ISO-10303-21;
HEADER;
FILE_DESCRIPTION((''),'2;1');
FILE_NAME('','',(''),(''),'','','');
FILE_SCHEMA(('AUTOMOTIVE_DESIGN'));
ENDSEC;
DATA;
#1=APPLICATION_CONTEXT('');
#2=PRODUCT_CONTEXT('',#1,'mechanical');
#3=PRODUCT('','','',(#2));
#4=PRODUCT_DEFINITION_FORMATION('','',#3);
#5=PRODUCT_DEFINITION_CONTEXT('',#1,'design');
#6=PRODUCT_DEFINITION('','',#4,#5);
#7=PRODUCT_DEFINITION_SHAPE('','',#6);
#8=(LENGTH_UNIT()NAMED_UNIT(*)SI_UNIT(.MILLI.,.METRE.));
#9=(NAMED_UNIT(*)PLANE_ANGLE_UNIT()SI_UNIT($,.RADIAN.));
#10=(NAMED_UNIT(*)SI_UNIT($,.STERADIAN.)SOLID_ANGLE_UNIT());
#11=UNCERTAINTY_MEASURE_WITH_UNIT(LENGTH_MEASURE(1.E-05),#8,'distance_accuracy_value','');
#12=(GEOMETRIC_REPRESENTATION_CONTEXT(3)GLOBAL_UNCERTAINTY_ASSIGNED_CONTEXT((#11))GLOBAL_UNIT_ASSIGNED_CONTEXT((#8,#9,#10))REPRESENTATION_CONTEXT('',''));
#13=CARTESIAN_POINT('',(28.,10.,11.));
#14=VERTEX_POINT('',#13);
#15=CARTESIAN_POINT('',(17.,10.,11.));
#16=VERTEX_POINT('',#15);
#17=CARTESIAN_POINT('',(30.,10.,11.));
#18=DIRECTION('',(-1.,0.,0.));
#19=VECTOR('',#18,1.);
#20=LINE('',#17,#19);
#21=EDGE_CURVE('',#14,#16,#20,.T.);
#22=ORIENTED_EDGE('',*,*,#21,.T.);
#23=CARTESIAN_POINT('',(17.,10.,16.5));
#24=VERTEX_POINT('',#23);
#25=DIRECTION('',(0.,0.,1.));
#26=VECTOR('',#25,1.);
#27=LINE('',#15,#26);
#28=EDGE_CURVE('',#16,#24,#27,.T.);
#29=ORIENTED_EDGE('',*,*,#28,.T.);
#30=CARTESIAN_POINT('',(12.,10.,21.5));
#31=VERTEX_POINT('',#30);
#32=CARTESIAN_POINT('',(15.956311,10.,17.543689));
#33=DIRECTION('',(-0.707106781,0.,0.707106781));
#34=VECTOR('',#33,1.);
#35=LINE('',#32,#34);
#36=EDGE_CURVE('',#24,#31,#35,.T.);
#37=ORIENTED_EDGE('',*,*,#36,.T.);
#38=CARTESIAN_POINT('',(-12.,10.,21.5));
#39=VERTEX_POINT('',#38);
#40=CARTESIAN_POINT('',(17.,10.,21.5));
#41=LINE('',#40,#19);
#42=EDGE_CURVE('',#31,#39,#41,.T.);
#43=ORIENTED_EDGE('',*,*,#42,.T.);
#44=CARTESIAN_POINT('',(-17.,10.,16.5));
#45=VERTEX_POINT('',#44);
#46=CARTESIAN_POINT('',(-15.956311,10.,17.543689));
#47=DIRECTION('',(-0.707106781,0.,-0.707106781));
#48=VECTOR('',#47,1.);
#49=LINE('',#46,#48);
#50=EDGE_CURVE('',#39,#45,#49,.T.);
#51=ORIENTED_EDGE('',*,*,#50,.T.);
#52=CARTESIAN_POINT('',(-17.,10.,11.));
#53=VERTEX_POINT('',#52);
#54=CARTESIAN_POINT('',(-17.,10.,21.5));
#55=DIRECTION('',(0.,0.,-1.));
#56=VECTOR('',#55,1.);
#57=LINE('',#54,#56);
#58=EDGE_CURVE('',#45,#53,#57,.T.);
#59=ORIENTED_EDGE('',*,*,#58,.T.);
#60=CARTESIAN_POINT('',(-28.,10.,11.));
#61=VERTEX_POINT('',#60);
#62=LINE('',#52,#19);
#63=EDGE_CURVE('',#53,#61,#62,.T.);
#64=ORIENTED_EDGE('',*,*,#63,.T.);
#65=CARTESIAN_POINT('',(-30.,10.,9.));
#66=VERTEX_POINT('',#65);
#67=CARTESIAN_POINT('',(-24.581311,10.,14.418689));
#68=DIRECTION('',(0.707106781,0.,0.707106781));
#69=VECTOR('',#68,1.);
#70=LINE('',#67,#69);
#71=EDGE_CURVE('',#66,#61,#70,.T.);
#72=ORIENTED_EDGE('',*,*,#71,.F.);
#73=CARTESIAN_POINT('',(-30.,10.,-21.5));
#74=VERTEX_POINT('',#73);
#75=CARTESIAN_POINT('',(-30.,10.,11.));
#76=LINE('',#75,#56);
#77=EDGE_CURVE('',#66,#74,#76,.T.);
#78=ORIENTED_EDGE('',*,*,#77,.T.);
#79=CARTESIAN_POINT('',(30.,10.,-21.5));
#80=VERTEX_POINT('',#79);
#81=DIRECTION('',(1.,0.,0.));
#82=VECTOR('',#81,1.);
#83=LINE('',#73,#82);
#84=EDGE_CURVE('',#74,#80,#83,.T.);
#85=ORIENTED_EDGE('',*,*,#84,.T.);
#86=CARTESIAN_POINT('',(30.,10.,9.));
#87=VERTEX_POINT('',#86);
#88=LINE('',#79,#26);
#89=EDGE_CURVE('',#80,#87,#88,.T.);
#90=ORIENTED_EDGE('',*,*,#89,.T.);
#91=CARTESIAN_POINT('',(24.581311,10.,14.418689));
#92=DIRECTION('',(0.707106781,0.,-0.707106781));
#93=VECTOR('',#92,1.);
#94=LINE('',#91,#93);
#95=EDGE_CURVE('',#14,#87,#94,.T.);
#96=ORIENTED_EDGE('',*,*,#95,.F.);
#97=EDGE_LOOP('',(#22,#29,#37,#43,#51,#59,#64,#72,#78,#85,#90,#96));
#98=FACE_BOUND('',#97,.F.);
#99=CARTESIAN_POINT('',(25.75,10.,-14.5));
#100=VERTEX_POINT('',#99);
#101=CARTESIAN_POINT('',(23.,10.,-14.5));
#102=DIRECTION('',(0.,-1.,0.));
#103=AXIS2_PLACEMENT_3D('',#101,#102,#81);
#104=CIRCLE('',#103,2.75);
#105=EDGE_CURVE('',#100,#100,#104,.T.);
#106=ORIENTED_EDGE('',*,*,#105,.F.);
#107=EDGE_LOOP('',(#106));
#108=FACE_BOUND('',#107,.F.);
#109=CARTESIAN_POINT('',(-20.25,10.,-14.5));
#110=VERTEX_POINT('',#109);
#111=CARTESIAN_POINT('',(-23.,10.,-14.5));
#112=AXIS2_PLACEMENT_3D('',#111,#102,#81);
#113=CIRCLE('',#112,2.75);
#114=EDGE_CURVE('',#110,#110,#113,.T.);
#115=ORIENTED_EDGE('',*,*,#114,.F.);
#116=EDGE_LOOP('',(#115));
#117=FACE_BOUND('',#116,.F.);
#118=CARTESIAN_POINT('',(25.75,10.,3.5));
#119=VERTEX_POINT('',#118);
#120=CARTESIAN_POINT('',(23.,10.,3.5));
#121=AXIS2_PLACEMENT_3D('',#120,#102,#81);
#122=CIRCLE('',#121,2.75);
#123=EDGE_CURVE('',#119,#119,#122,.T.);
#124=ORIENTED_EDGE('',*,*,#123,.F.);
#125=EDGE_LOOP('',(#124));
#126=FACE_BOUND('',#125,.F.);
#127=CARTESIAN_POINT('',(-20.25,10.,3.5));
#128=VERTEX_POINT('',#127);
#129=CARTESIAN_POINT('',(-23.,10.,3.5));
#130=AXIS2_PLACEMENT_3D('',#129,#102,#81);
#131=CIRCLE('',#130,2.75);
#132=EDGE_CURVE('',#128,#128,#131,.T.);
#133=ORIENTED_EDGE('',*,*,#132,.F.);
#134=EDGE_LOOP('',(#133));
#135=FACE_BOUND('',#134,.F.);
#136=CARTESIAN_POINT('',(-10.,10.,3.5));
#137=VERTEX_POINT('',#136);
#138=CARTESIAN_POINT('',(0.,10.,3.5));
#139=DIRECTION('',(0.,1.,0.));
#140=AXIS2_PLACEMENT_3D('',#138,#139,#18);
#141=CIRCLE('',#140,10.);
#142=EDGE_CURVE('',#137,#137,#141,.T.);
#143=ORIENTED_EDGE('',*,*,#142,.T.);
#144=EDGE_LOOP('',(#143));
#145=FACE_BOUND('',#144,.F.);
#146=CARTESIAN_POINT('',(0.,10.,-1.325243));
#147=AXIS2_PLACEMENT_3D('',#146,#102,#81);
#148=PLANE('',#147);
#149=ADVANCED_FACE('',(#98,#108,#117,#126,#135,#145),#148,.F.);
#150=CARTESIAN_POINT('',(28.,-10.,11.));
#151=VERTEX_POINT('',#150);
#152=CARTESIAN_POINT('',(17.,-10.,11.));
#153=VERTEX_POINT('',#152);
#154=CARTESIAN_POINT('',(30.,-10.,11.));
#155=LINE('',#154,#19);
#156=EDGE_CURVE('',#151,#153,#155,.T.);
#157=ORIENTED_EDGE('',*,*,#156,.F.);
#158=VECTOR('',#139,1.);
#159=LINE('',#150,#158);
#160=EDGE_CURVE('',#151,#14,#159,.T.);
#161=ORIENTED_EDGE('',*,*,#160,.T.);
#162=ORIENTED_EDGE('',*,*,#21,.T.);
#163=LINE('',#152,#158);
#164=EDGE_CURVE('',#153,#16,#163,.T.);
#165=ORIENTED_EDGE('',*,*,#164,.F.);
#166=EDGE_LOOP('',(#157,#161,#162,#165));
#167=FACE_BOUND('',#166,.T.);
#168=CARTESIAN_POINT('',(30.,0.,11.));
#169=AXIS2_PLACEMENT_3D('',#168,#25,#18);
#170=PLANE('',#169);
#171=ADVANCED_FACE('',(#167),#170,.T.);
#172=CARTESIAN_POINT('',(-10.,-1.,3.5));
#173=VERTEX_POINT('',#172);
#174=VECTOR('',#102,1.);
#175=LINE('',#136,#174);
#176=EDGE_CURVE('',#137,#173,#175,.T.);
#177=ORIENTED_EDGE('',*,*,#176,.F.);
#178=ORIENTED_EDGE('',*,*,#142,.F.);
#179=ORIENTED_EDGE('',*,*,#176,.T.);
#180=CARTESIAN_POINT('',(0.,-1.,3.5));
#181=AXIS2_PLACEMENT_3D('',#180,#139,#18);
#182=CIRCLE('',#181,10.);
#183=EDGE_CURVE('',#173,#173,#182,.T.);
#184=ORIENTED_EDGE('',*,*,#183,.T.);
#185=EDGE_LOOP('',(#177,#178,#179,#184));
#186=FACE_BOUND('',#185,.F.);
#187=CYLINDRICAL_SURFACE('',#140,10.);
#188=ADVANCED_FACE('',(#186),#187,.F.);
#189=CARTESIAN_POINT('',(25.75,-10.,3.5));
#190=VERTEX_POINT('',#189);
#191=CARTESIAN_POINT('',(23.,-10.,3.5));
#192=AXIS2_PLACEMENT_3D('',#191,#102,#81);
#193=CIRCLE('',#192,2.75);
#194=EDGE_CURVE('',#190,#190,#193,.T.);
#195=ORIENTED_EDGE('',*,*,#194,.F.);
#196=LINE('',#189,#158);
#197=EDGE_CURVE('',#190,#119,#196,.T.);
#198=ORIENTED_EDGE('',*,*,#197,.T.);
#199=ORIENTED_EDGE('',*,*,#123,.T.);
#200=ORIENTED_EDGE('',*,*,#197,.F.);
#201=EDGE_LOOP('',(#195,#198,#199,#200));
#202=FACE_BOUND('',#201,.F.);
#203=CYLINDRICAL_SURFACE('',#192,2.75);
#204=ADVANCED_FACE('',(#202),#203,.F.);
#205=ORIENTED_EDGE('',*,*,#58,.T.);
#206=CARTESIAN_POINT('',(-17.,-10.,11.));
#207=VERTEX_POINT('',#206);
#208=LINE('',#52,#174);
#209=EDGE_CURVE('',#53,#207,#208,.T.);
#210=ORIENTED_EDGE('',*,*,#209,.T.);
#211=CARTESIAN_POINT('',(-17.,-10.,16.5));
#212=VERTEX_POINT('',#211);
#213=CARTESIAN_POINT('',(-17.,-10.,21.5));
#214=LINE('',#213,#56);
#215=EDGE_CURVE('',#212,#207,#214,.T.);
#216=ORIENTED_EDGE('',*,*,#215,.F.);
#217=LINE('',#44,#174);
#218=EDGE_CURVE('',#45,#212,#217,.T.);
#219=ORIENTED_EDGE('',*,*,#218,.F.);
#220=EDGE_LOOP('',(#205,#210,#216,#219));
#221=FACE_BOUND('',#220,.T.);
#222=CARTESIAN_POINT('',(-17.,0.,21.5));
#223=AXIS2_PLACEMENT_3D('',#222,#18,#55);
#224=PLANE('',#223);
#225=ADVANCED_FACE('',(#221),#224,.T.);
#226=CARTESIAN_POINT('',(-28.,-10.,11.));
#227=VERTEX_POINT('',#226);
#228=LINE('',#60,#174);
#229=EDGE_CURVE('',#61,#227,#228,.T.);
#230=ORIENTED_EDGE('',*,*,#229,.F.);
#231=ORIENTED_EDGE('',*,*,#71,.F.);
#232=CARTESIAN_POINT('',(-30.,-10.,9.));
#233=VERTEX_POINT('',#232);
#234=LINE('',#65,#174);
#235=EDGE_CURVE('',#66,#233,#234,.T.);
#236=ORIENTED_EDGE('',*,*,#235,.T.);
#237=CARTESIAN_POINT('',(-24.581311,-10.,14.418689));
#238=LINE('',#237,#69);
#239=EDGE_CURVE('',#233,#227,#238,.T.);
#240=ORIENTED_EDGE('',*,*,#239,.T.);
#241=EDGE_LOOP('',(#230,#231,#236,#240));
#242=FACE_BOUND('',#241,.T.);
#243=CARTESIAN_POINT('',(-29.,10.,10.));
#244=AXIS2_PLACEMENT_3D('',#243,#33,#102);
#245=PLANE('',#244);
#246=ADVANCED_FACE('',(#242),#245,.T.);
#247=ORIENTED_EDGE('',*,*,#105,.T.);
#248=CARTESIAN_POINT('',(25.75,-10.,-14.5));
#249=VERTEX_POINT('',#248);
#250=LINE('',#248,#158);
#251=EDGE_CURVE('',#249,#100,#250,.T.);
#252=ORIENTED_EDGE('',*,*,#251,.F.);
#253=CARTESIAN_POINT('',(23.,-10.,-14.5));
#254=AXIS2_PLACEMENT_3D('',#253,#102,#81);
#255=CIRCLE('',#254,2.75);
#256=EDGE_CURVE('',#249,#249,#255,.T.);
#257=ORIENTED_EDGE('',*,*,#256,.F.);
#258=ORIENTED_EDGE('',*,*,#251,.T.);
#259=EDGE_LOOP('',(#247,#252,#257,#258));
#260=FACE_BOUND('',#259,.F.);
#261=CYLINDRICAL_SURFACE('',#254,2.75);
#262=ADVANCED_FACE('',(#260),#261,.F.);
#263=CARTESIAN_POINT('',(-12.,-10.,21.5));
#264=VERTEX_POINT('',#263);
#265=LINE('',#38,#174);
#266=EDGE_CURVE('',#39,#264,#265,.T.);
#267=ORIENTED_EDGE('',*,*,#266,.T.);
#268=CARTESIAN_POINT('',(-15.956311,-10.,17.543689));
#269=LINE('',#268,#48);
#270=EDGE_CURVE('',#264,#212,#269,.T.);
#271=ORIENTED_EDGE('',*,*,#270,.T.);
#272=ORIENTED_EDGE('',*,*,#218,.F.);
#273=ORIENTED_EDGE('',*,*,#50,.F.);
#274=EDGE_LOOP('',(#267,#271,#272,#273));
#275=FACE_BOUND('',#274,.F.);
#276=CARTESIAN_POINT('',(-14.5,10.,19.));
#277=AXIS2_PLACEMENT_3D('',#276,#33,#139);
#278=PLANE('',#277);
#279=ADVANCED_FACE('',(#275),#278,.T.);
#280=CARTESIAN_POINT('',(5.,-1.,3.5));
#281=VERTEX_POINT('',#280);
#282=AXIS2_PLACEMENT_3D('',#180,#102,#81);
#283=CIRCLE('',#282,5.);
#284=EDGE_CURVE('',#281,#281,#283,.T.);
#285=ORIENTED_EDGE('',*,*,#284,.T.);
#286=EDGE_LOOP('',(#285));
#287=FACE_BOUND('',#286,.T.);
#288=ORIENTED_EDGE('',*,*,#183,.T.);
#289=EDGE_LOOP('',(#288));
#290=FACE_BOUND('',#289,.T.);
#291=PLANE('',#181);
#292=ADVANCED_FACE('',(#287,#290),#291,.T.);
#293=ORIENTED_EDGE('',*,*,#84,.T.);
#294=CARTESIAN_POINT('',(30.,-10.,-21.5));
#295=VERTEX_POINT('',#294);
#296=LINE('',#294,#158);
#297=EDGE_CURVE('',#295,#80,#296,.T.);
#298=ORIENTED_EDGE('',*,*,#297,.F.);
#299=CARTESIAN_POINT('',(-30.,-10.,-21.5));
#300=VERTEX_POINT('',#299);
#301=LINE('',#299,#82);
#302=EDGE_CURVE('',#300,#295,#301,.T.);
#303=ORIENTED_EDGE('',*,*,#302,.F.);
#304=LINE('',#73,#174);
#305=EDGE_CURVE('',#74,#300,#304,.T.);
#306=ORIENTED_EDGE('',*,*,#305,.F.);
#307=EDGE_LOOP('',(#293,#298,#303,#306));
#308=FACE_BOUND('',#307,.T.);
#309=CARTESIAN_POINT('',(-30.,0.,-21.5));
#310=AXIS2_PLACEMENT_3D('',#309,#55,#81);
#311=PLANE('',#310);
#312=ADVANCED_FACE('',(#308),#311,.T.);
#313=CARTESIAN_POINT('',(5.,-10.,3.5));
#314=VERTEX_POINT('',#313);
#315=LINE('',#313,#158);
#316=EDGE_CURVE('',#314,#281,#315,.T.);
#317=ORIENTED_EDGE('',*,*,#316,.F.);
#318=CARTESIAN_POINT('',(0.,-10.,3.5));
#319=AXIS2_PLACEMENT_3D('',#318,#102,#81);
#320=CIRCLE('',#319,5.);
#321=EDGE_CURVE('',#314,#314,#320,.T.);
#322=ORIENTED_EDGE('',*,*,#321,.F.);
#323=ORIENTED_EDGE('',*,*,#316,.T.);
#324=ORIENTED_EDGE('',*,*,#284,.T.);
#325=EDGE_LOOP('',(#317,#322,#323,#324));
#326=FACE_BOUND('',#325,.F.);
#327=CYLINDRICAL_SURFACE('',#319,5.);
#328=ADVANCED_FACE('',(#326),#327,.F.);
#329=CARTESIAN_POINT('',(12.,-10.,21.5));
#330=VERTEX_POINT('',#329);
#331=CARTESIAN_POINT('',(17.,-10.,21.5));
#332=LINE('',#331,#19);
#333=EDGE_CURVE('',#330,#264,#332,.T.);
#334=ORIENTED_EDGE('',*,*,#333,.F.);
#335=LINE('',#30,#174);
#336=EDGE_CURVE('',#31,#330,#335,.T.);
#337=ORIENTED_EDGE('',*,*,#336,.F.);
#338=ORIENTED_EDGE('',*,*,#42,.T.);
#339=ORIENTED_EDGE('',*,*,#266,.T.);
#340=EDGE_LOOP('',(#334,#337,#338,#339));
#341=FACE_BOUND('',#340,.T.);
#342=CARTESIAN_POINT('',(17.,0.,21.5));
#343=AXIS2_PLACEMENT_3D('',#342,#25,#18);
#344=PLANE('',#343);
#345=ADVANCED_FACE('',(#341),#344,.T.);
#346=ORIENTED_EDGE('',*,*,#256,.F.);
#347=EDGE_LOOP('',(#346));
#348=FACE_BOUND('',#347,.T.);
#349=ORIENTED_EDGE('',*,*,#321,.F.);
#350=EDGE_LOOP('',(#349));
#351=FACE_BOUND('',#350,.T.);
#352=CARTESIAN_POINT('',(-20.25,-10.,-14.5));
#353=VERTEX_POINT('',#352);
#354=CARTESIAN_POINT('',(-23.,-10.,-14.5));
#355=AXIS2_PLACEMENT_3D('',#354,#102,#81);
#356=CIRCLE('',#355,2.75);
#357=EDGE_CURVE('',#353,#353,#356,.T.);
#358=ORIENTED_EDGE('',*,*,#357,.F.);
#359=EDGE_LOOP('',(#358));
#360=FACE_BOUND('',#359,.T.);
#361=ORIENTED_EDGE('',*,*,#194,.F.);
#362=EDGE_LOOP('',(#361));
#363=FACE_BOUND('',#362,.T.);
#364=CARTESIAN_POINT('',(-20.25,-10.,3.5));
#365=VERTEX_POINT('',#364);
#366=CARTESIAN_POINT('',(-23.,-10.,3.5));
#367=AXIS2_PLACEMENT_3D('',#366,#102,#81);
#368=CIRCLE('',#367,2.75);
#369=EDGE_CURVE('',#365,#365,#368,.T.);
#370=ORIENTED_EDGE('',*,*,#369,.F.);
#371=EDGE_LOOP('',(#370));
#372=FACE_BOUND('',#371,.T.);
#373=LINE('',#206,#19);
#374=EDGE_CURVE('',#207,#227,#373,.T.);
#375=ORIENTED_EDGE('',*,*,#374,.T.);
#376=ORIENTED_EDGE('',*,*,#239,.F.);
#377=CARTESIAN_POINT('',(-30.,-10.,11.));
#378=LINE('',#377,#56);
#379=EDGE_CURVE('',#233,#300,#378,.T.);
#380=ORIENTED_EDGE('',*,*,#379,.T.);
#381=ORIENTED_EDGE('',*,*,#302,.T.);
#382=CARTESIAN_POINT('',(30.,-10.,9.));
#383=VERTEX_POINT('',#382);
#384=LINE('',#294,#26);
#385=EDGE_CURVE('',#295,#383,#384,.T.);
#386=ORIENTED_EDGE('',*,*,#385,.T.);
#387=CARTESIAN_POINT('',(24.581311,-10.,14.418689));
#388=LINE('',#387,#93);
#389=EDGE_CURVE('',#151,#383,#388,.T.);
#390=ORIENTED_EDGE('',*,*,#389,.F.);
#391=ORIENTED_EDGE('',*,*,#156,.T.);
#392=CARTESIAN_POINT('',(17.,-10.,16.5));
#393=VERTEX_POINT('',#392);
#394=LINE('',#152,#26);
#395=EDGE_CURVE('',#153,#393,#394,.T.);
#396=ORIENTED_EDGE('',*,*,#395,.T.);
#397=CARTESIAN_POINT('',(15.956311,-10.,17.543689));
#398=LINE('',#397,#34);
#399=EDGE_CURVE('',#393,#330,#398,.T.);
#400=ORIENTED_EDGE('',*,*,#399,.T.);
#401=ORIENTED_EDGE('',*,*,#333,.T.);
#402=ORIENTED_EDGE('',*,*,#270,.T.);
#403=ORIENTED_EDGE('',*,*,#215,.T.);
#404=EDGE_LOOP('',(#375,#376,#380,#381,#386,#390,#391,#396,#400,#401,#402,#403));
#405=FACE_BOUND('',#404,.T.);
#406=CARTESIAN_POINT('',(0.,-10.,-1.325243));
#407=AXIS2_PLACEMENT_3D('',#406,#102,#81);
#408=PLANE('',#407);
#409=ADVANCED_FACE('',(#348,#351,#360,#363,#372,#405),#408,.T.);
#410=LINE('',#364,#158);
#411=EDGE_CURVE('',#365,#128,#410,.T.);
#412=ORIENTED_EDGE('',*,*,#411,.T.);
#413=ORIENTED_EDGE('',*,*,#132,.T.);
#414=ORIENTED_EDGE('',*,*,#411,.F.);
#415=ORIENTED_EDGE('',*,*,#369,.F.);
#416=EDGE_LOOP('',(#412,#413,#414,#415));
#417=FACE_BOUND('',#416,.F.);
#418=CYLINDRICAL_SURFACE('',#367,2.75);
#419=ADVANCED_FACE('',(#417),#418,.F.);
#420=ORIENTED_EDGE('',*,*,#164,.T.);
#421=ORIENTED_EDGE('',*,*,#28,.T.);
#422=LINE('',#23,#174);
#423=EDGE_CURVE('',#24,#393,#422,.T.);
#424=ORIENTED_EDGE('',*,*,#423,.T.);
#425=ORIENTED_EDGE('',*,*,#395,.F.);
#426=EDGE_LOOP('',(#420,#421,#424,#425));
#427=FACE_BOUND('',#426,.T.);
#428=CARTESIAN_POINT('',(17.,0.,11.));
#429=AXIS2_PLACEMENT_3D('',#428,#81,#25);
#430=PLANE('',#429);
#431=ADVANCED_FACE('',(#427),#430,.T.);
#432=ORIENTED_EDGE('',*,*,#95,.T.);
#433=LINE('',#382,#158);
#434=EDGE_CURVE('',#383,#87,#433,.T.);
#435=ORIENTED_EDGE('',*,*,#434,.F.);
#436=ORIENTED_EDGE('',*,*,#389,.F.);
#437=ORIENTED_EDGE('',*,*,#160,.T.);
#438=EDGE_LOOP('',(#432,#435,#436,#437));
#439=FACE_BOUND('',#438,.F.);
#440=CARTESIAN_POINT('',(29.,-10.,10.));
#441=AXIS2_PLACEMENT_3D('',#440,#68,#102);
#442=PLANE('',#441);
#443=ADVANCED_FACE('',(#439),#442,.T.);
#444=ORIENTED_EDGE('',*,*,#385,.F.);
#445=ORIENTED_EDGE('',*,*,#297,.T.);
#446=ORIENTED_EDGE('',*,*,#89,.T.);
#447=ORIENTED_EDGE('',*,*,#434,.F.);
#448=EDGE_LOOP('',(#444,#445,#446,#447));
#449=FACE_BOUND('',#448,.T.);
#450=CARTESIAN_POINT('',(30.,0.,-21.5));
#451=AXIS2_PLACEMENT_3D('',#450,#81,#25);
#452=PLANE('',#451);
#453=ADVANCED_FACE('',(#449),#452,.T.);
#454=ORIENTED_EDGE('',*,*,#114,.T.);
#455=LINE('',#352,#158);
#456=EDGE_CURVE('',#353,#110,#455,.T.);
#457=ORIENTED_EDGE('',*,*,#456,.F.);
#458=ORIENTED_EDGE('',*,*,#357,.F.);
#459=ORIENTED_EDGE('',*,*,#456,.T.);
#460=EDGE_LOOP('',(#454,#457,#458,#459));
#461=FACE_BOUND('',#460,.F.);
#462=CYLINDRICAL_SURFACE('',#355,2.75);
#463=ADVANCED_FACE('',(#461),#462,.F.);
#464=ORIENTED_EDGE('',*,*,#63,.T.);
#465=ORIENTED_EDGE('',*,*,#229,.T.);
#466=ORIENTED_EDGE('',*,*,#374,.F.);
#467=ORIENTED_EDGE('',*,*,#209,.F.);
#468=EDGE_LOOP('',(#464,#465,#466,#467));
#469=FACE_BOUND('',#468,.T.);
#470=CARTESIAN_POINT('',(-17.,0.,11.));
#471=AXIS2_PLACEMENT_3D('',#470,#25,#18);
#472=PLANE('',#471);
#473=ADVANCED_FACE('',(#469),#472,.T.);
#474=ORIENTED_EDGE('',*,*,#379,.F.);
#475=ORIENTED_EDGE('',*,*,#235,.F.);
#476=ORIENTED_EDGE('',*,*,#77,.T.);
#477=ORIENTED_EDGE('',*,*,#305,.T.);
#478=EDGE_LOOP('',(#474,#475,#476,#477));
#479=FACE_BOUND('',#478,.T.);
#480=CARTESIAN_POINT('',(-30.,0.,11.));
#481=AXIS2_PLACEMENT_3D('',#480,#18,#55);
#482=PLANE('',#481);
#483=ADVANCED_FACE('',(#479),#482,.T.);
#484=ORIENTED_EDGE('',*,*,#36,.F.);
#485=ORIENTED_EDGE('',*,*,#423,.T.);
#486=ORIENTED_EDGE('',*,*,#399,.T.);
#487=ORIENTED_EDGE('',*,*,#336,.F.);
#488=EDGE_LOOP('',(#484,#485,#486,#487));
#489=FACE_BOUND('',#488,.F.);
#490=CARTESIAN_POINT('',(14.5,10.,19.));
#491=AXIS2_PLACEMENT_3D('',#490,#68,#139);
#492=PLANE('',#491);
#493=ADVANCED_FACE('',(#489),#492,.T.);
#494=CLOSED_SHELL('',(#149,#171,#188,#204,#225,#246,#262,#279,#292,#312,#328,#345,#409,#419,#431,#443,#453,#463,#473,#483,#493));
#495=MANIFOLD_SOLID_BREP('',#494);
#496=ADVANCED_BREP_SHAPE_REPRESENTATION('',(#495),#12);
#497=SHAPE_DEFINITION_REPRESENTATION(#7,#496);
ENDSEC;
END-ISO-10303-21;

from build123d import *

# Parameters (mm, degrees)
F1_DEPTH = 10
F2_R     = 5
F2_R_2   = 2.75
F3_DEPTH = 20
F4_SIZE  = 5
F5_SIZE  = 2
F6_R     = 10
F7_DEPTH = 11


with BuildPart() as f1:
    # F0 (on Front) → F1 (new body, symmetric)
    with BuildSketch(Plane.XZ):
        Polygon((17, 11), (17, 21.5), (-17, 21.5), (-17, 11), (-30, 11), (-30, -21.5), (30, -21.5), (30, 11), align=None)
    extrude(amount=F1_DEPTH, both=True)

    # F2 (on face) → F3 (cut)
    with BuildSketch(Plane.XZ.offset(10)):
        with Locations((0, 3.5)):
            Circle(F2_R)
        with Locations((23, 3.5)):
            Circle(F2_R_2)
        with Locations((23, -14.5)):
            Circle(F2_R_2)
        with Locations((-23, -14.5)):
            Circle(F2_R_2)
        with Locations((-23, 3.5)):
            Circle(F2_R_2)
    extrude(amount=-F3_DEPTH, mode=Mode.SUBTRACT)

    # F4
    f4_edges = [f1.edges().sort_by_distance(p)[0] for p in [
        (-17, 0, 21.5),
        (17, 0, 21.5),
    ]]
    chamfer(f4_edges, length=F4_SIZE)

    # F5
    f5_edges = [f1.edges().sort_by_distance(p)[0] for p in [
        (30, 0, 11),
        (-30, 0, 11),
    ]]
    chamfer(f5_edges, length=F5_SIZE)

    # F6 (on face) → F7 (cut)
    with BuildSketch(Plane(origin=(0, 10, 0), x_dir=(-1, 0, 0), z_dir=(0, 1, 0))):
        with Locations((0, 3.5)):
            Circle(F6_R)
    extrude(amount=-F7_DEPTH, mode=Mode.SUBTRACT)


solid = f1.part
